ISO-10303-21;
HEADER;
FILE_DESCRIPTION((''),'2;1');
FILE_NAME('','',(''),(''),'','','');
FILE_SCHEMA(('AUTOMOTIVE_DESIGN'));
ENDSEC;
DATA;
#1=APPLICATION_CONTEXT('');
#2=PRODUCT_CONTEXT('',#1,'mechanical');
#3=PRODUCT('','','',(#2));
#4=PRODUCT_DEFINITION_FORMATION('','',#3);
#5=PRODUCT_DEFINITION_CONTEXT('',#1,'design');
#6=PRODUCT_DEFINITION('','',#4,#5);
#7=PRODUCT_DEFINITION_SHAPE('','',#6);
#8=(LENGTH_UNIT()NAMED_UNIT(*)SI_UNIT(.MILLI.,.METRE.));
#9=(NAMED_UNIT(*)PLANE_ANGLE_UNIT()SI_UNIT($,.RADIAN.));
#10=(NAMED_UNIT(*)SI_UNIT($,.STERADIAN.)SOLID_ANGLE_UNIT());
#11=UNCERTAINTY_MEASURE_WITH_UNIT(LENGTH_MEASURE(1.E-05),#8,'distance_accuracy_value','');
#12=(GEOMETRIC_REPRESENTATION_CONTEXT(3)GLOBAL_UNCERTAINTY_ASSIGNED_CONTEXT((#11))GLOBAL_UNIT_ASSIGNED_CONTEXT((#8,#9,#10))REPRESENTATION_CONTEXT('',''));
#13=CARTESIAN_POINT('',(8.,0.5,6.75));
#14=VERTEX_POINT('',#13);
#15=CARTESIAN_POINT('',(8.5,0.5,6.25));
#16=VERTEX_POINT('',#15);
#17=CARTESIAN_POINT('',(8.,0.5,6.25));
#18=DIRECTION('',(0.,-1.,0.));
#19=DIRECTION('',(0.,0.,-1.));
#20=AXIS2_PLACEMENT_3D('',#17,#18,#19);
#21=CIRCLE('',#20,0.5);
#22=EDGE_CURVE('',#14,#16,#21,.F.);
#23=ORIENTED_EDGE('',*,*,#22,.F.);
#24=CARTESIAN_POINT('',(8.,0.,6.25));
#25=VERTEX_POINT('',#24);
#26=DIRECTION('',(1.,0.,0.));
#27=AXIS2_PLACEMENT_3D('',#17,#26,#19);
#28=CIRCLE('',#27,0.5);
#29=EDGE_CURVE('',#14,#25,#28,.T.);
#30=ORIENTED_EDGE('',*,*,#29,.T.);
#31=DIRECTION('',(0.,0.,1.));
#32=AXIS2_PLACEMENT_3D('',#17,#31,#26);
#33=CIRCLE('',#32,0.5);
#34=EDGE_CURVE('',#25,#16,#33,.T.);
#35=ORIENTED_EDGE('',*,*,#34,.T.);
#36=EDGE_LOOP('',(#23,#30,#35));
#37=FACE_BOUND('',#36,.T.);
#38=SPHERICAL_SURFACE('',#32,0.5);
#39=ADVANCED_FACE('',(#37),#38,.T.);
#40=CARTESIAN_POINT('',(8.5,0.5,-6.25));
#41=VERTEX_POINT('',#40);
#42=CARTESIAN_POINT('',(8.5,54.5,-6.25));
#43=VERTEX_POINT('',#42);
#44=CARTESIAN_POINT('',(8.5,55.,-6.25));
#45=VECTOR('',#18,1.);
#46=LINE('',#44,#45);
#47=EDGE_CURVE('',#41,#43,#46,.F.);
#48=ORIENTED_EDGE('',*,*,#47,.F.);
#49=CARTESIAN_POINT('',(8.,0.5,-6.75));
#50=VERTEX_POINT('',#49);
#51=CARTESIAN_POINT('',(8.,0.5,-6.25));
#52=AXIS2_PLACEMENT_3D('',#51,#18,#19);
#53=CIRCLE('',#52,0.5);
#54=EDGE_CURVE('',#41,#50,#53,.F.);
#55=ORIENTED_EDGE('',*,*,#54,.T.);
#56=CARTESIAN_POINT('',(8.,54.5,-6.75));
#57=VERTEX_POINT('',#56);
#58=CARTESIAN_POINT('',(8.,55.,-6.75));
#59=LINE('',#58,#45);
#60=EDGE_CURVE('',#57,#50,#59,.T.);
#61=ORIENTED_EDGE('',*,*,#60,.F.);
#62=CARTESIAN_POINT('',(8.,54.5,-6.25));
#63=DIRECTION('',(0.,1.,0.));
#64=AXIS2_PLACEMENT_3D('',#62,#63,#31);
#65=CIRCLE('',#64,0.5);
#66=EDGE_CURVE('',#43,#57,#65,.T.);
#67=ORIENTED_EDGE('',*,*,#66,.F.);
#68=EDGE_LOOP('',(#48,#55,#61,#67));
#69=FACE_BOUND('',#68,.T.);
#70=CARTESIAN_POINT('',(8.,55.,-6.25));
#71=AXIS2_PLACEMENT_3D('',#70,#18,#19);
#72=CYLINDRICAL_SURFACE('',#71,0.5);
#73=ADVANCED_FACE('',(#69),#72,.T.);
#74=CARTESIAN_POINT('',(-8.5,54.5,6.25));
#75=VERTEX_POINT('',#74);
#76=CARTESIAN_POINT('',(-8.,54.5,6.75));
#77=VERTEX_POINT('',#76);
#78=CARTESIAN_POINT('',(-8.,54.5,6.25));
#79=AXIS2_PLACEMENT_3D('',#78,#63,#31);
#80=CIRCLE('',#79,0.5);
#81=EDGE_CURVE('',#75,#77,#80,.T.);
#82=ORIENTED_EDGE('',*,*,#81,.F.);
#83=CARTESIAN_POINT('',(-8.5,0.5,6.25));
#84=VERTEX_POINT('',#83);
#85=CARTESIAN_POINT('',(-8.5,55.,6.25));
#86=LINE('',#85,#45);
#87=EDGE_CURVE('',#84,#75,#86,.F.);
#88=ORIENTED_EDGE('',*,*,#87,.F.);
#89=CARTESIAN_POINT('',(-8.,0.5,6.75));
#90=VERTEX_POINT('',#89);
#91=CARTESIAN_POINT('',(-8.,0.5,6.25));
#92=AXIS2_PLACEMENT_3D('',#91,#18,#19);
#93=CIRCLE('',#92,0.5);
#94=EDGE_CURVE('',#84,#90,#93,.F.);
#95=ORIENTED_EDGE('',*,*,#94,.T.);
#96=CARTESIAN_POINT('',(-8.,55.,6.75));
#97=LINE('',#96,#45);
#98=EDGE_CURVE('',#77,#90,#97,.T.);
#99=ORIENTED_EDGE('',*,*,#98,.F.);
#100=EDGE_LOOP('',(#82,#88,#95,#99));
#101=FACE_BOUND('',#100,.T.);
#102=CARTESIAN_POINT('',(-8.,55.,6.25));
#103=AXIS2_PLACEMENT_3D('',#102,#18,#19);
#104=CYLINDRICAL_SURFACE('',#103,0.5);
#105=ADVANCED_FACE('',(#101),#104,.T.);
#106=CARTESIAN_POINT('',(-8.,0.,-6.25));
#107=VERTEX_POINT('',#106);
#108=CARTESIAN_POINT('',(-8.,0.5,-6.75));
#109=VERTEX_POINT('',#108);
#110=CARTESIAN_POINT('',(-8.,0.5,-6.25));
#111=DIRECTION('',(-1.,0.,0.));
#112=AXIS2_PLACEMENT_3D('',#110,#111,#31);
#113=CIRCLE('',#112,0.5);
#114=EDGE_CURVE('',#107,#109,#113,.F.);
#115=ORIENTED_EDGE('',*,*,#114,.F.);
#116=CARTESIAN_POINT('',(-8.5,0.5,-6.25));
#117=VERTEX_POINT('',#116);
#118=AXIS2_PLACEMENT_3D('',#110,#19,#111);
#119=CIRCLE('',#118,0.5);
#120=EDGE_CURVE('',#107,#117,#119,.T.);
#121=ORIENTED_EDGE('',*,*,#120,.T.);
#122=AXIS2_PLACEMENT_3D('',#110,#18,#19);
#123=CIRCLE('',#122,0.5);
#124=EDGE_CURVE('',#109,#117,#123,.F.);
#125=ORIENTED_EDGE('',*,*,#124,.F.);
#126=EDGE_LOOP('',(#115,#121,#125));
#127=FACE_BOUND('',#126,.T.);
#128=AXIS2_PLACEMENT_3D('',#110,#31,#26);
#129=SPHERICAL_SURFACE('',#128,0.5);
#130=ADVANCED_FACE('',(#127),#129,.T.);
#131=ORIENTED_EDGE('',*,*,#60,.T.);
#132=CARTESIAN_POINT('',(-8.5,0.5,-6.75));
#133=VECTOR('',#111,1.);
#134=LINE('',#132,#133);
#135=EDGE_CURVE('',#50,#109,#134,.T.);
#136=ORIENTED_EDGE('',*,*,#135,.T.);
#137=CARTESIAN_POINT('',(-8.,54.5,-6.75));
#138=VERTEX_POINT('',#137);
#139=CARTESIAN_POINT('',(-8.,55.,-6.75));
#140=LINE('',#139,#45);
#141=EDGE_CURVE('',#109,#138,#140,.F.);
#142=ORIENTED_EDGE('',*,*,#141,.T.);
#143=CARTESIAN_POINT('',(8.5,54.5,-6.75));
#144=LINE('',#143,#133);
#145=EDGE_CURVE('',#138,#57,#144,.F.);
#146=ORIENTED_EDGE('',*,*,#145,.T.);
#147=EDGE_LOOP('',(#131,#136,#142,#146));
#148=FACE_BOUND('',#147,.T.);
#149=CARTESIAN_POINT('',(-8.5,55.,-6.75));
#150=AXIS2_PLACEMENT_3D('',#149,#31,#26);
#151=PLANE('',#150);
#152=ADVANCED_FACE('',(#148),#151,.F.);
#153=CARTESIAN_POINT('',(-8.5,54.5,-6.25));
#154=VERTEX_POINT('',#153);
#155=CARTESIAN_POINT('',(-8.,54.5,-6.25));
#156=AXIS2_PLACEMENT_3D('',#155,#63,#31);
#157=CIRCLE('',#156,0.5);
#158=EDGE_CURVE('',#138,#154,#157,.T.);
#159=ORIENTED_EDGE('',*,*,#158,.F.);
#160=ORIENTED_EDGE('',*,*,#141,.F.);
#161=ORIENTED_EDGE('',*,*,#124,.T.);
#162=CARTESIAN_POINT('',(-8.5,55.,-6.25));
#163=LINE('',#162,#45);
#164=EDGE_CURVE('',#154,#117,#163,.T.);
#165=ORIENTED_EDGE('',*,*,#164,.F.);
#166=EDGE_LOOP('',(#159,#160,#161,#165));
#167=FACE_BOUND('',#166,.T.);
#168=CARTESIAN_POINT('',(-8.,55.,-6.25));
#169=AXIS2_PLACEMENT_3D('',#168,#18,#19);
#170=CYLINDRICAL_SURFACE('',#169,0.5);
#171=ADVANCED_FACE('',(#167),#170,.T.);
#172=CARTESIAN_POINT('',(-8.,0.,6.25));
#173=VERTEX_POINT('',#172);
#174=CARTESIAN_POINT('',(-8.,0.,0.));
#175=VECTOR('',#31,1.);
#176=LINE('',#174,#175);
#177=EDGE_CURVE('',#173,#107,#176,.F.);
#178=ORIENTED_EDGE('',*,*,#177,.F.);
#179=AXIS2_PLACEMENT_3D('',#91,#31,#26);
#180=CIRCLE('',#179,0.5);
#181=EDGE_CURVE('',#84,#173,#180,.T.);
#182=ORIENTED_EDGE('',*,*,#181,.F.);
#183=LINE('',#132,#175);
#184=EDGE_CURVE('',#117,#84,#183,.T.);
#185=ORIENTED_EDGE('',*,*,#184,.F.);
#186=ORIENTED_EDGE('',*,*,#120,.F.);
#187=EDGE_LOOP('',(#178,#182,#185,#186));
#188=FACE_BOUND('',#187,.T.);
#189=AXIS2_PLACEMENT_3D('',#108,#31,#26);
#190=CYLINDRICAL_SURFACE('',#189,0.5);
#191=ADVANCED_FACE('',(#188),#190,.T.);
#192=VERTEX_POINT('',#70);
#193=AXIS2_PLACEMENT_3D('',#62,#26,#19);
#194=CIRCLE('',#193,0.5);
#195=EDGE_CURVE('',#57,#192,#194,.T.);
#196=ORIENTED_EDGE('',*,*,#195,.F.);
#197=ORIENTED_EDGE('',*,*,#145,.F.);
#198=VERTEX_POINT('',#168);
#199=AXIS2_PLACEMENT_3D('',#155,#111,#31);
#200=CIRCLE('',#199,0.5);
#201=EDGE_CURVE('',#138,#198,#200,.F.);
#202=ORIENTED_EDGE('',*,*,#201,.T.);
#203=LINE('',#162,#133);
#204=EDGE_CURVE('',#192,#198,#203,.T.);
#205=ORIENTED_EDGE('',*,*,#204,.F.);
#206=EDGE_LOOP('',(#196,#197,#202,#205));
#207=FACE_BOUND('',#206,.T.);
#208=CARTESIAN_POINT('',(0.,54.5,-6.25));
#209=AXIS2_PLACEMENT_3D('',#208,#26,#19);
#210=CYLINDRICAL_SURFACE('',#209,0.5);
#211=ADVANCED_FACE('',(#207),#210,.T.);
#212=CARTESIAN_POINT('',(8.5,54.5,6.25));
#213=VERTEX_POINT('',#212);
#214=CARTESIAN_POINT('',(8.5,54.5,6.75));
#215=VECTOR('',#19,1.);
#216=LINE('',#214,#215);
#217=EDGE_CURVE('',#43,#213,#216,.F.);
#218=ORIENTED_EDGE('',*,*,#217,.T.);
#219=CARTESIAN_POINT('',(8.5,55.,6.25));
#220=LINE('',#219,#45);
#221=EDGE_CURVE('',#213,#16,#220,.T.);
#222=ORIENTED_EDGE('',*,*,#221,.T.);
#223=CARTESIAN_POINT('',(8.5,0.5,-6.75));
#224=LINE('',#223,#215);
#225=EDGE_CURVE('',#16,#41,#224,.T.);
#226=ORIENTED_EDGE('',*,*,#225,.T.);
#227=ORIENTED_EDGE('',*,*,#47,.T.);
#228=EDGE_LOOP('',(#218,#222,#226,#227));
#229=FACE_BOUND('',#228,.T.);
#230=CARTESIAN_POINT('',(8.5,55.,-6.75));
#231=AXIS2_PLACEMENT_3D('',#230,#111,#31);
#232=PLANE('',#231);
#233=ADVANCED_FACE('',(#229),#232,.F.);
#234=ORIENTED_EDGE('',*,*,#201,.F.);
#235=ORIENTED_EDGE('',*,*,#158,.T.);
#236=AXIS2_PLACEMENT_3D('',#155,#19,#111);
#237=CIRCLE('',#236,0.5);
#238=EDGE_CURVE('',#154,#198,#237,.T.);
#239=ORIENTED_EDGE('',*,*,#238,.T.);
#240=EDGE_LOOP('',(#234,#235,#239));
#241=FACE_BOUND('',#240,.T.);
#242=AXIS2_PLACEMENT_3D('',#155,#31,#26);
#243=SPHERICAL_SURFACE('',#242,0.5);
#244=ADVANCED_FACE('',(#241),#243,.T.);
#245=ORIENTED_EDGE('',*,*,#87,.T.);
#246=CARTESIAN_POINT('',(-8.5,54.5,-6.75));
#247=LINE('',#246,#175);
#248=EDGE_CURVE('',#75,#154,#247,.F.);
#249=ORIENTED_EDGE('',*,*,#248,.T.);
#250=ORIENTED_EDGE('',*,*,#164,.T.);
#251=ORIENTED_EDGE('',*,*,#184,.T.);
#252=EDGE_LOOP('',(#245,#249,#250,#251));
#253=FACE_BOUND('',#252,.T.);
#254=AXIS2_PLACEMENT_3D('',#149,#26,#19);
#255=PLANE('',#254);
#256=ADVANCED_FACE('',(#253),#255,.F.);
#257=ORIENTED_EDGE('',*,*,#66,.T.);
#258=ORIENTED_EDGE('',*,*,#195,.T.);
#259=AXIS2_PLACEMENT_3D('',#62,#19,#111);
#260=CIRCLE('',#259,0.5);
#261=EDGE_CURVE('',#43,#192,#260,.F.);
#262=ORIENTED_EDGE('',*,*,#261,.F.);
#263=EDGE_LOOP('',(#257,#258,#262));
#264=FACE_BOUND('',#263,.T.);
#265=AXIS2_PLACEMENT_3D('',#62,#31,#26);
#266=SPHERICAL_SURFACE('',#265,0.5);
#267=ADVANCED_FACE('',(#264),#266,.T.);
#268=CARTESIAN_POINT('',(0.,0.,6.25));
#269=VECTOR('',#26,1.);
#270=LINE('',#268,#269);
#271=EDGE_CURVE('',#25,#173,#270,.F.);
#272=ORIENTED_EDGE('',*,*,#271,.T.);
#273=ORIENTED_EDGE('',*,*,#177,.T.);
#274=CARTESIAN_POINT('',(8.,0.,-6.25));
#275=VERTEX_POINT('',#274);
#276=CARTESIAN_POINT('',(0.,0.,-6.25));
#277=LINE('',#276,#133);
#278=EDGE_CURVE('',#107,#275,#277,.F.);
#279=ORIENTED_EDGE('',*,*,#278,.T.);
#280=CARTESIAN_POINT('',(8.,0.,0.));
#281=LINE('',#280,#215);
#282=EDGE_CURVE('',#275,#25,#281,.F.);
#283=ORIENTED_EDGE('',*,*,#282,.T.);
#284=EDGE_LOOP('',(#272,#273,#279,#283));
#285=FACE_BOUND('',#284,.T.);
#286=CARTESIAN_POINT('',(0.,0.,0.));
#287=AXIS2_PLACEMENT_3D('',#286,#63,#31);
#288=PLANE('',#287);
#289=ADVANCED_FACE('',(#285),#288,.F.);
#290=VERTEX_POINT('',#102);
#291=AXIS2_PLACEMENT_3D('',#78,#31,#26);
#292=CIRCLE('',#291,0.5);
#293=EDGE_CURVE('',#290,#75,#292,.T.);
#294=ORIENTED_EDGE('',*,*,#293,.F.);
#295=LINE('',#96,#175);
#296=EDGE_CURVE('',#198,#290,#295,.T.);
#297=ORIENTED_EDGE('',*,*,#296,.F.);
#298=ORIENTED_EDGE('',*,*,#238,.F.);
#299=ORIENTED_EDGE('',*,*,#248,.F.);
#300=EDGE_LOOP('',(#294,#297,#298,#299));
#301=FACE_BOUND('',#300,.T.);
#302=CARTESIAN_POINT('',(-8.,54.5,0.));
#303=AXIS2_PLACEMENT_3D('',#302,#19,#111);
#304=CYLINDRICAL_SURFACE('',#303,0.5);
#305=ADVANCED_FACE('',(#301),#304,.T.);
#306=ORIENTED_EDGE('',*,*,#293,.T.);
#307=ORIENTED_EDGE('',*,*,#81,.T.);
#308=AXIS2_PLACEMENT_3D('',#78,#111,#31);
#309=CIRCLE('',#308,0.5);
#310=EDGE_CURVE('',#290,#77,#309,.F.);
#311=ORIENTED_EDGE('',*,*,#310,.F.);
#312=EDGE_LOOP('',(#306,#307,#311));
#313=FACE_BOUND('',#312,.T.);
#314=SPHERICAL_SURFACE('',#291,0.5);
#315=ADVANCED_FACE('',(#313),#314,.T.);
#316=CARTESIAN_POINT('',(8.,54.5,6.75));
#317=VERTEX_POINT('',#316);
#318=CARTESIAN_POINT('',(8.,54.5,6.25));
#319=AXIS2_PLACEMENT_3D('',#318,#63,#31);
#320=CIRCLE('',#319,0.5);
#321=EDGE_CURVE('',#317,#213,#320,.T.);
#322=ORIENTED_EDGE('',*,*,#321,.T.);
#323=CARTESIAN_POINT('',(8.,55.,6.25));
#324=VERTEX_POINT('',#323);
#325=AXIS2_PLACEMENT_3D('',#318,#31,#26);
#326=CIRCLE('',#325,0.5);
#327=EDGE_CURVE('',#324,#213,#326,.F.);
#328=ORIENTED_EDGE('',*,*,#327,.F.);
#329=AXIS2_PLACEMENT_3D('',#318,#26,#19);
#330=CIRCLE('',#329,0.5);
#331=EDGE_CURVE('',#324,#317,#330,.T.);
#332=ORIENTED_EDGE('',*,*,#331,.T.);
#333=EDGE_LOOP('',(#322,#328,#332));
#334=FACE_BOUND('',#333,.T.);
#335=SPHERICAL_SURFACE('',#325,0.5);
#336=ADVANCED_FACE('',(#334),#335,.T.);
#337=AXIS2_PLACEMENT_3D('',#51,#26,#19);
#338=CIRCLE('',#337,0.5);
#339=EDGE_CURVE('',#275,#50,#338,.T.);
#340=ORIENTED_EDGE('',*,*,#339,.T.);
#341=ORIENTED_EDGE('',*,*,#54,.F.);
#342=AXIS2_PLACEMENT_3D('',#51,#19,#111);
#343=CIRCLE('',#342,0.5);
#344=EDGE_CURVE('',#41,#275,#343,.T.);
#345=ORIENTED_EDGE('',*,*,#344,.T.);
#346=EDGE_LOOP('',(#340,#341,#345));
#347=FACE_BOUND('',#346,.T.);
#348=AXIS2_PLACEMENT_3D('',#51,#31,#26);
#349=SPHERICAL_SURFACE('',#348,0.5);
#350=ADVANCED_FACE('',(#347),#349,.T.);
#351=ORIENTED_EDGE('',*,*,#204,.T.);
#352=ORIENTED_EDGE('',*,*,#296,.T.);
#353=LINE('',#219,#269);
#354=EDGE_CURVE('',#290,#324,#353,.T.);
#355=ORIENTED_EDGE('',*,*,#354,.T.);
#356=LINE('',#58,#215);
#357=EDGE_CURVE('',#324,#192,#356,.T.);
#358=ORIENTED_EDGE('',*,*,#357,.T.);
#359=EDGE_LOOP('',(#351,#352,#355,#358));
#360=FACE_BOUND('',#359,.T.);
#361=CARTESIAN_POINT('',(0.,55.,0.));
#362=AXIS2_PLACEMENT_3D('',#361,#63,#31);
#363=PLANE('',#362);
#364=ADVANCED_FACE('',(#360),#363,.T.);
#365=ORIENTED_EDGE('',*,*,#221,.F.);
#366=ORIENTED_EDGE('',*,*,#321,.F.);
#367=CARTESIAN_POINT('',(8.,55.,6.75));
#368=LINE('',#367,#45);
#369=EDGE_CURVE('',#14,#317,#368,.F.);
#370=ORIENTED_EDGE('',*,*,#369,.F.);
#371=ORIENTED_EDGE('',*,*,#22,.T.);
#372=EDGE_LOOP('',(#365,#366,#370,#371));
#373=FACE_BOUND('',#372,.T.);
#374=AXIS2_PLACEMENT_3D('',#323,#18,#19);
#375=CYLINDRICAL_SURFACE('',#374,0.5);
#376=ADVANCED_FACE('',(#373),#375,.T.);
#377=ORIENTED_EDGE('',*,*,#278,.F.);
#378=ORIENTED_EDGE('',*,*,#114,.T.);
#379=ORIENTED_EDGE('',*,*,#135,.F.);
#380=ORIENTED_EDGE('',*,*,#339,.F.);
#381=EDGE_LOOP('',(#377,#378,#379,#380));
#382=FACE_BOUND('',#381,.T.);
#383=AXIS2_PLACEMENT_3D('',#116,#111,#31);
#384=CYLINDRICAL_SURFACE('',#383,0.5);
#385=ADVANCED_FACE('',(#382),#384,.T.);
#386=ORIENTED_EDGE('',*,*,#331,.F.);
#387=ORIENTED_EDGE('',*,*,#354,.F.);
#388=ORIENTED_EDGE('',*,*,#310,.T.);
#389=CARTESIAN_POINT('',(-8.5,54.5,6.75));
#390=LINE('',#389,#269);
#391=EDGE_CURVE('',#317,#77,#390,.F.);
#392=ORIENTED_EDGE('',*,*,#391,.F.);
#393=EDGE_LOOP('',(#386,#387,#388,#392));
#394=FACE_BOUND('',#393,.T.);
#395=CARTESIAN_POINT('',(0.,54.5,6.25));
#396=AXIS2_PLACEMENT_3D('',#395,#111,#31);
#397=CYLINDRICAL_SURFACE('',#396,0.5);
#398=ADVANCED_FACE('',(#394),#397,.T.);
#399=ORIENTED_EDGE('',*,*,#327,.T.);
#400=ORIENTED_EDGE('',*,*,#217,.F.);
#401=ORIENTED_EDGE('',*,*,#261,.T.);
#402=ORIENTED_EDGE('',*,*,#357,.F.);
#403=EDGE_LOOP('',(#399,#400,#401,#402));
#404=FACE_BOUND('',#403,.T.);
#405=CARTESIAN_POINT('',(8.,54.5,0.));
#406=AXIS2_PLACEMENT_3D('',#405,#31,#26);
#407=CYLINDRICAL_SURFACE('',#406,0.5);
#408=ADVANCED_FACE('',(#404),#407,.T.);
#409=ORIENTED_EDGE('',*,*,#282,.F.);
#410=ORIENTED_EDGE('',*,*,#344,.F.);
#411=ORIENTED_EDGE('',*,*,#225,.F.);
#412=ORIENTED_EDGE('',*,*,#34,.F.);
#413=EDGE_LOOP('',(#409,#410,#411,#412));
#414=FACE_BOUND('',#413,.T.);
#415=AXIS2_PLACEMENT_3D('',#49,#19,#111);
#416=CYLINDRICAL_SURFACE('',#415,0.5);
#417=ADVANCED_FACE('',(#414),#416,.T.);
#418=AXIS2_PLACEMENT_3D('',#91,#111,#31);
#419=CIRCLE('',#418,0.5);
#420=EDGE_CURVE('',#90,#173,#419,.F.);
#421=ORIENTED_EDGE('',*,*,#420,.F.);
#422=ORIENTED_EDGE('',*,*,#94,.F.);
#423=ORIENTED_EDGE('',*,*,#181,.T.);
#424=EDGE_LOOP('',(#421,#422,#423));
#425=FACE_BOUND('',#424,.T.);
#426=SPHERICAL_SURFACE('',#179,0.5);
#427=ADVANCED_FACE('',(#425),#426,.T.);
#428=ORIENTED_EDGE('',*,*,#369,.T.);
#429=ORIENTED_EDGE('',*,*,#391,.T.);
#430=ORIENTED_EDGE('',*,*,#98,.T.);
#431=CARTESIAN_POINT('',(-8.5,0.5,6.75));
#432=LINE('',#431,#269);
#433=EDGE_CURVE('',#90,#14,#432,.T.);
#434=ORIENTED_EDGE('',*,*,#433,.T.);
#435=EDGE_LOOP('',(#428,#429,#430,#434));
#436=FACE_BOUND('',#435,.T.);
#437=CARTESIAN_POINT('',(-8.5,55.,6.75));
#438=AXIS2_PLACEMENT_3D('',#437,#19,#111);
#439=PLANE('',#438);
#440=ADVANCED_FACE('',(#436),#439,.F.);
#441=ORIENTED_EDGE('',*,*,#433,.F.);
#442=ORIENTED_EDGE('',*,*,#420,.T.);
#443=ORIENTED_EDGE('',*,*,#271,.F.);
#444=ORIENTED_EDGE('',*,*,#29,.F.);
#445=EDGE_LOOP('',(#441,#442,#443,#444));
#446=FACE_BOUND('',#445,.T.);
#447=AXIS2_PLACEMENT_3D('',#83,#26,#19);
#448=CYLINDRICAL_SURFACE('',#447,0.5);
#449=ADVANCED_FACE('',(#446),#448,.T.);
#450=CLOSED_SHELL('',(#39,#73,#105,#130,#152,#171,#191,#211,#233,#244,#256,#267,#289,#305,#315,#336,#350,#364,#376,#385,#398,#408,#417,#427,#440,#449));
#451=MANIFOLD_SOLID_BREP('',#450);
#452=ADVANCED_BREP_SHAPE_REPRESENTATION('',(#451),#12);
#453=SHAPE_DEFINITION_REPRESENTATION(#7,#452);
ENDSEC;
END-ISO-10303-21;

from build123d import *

# Parameters (mm, degrees)
SKIZZE1_W                       = 17
SKIZZE1_H                       = 13.5
AUFSATZ_LINEAR_AUSTRAGEN1_DEPTH = 55
VERRUNDUNG1_R                   = 0.5


with BuildPart() as part:
    # Skizze1 → Aufsatz-Linear austragen1 (new body)
    with BuildSketch(Plane(origin=(0, 0, 0), x_dir=(1, 0, 0), z_dir=(0, 1, 0))):
        Rectangle(SKIZZE1_W, SKIZZE1_H)
    extrude(amount=AUFSATZ_LINEAR_AUSTRAGEN1_DEPTH)

    # Verrundung1
    verrundung1_edges = [part.edges().sort_by_distance(p)[0] for p in [
        (-8.5, 55, 0),
        (0, 55, 6.75),
        (8.5, 55, 0),
        (0, 0, 6.75),
        (-8.5, 0, 0),
        (0, 0, -6.75),
        (8.5, 0, 0),
        (0, 55, -6.75),
        (8.5, 27.5, 6.75),
        (-8.5, 27.5, 6.75),
        (-8.5, 27.5, -6.75),
        (8.5, 27.5, -6.75),
    ]]
    fillet(verrundung1_edges, radius=VERRUNDUNG1_R)


solid = part.part
